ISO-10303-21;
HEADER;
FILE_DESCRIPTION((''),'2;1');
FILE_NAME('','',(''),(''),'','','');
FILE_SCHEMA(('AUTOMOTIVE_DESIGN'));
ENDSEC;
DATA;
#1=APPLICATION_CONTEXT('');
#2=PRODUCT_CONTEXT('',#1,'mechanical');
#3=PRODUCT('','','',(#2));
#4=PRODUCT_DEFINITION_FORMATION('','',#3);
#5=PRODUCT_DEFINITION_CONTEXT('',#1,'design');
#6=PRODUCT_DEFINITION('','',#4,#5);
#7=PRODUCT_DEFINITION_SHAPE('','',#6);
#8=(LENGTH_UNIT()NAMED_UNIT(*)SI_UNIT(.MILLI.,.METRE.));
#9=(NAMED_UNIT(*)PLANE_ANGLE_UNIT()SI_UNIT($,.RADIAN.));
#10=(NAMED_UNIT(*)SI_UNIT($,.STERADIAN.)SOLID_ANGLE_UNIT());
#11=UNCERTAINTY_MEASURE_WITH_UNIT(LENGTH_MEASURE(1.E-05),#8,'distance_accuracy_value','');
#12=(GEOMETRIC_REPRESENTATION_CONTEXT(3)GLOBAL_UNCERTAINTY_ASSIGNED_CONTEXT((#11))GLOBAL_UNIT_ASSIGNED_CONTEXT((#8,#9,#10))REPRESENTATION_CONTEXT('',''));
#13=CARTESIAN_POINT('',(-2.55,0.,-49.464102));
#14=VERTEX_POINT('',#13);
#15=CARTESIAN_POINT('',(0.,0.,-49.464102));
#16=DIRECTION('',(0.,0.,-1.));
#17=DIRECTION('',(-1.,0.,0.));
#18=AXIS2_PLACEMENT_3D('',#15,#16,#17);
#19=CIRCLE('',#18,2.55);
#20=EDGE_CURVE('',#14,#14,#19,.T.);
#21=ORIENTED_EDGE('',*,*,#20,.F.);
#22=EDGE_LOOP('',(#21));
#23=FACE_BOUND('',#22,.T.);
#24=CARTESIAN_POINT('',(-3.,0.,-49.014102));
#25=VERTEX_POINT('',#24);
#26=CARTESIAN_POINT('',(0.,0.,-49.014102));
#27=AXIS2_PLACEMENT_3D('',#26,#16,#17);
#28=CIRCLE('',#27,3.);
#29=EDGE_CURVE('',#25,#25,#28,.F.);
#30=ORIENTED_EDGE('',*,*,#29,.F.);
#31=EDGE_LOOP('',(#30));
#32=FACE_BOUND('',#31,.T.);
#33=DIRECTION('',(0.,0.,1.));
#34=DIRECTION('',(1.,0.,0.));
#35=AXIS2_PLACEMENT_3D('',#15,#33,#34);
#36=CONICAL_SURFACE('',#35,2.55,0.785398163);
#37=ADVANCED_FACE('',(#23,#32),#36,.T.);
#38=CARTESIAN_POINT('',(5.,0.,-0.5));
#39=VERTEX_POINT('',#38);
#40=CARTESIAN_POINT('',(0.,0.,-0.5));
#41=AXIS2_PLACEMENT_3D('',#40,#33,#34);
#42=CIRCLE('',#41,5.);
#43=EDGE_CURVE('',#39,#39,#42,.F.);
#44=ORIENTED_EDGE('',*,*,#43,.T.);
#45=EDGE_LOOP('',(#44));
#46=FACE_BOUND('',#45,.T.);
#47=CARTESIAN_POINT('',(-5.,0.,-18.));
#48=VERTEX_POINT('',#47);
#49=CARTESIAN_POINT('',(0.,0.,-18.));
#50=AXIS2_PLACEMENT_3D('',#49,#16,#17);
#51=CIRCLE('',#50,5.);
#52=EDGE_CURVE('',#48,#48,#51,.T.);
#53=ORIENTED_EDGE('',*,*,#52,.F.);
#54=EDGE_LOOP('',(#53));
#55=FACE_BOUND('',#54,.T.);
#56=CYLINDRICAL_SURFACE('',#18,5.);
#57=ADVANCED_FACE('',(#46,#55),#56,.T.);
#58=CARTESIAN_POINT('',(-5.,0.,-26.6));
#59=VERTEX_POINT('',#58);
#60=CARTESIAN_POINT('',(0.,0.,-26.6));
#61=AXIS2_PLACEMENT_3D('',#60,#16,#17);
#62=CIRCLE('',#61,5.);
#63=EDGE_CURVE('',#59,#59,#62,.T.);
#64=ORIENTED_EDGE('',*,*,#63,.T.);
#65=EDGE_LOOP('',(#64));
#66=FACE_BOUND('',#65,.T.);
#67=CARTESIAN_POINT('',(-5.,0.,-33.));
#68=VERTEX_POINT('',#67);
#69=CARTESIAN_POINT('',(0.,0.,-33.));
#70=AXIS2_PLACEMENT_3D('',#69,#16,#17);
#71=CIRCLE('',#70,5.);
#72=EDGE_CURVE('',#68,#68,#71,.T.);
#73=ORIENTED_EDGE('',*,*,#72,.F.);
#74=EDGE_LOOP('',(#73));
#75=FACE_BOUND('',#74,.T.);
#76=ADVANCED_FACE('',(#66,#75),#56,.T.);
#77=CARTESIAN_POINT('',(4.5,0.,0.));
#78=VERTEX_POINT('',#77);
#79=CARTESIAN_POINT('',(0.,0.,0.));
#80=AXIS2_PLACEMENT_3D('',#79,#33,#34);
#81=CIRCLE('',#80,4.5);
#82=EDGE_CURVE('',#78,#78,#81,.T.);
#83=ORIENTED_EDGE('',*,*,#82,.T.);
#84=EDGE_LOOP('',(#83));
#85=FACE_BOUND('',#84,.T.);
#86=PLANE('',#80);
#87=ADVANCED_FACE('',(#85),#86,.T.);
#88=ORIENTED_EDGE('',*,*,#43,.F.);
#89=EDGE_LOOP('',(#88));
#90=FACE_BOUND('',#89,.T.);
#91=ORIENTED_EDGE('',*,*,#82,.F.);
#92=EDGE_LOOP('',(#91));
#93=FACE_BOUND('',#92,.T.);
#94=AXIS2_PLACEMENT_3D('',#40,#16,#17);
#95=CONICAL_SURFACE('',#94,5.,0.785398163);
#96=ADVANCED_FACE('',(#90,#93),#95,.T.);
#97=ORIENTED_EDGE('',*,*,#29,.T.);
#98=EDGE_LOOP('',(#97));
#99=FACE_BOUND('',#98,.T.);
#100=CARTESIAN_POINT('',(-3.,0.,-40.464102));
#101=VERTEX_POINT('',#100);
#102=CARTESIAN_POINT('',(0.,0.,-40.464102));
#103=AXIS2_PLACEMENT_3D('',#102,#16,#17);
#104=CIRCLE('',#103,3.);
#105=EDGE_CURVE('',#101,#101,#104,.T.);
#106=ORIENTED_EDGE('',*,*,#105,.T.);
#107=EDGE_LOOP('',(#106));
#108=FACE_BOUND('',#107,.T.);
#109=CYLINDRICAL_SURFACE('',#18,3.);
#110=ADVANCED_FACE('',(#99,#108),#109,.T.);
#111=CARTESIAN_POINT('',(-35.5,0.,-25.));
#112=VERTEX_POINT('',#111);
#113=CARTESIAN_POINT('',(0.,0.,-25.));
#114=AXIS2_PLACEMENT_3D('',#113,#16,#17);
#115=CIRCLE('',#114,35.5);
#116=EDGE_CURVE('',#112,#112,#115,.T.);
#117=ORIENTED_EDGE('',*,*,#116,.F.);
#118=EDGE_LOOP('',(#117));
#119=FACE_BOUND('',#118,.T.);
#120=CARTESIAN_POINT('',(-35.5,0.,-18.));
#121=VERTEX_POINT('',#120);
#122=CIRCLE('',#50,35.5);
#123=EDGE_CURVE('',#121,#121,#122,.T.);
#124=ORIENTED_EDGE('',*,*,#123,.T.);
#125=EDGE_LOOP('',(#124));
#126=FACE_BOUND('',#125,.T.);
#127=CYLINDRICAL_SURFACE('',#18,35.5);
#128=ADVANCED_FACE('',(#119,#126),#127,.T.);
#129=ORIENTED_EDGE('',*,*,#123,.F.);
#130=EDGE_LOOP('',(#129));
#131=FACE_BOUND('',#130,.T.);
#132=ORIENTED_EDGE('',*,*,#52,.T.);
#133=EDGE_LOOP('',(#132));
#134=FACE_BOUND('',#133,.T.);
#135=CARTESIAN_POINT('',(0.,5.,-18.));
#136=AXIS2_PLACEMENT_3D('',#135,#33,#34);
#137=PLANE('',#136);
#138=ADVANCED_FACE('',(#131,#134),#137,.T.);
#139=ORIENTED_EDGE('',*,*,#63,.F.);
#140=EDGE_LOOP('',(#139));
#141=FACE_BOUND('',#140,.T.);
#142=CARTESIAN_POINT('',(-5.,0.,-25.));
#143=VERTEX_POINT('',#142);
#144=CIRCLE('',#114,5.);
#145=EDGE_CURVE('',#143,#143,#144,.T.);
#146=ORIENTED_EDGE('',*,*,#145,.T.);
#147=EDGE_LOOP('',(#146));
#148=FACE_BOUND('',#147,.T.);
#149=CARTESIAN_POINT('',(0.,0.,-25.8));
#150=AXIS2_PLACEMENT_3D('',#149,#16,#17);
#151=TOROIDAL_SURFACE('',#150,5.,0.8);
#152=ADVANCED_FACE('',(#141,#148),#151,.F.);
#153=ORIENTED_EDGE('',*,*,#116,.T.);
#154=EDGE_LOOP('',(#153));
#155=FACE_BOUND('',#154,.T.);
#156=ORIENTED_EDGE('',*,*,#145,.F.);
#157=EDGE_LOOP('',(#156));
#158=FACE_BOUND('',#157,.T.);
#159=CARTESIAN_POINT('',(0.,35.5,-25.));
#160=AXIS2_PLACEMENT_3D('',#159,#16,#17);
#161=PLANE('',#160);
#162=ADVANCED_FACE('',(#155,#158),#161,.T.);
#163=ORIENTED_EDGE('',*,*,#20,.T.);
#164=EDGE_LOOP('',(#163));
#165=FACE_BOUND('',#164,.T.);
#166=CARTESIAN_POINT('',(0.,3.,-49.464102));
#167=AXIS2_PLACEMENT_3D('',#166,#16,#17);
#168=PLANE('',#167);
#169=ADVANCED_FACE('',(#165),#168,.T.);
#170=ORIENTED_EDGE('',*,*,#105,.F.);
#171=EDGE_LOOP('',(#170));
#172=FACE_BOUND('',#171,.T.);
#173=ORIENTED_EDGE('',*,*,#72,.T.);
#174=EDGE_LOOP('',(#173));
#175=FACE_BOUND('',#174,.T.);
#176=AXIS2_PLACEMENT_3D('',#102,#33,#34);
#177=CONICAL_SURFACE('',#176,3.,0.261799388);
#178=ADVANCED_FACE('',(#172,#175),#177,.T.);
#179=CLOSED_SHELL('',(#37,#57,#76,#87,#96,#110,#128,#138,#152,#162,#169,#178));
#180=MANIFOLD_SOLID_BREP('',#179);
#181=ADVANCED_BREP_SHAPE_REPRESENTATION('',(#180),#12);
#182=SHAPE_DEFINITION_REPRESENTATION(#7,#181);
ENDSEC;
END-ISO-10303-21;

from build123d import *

# Parameters (mm, degrees)
CHAFL_N1_SIZE = 0.45
CHAFL_N2_SIZE = 0.5


with BuildPart() as part:
    # Croquis1 → Revolución1 (revolve)
    with BuildSketch(Plane(origin=(0, 0, 0), x_dir=(0, 0, -1), z_dir=(1, 0, 0))):
        with BuildLine():
            Line((0, 0), (0, 5))
            Line((0, 5), (18, 5))
            Line((18, 5), (18, 35.5))
            Line((18, 35.5), (25, 35.5))
            Line((25, 35.5), (25, 5))
            ThreePointArc((25, 5), (25.8, 4.2), (26.6, 5))
            Line((26.6, 5), (33, 5))
            Line((33, 5), (40.464101615, 3))
            Line((40.464101615, 3), (49.464101615, 3))
            Line((49.464101615, 3), (49.464101615, 0))
            Line((49.464101615, 0), (0, 0))
        make_face()
    revolve(axis=Axis((0, 0, -49.464101615), (0, 0, 1)))

    # Chaflán1
    chafl_n1_edges = [part.edges().sort_by_distance(p)[0] for p in [
        (0, -3, -49.464101615),
    ]]
    chamfer(chafl_n1_edges, length=CHAFL_N1_SIZE)

    # Chaflán2
    chafl_n2_edges = [part.edges().sort_by_distance(p)[0] for p in [
        (0, -5, 0),
    ]]
    chamfer(chafl_n2_edges, length=CHAFL_N2_SIZE)


solid = part.part
